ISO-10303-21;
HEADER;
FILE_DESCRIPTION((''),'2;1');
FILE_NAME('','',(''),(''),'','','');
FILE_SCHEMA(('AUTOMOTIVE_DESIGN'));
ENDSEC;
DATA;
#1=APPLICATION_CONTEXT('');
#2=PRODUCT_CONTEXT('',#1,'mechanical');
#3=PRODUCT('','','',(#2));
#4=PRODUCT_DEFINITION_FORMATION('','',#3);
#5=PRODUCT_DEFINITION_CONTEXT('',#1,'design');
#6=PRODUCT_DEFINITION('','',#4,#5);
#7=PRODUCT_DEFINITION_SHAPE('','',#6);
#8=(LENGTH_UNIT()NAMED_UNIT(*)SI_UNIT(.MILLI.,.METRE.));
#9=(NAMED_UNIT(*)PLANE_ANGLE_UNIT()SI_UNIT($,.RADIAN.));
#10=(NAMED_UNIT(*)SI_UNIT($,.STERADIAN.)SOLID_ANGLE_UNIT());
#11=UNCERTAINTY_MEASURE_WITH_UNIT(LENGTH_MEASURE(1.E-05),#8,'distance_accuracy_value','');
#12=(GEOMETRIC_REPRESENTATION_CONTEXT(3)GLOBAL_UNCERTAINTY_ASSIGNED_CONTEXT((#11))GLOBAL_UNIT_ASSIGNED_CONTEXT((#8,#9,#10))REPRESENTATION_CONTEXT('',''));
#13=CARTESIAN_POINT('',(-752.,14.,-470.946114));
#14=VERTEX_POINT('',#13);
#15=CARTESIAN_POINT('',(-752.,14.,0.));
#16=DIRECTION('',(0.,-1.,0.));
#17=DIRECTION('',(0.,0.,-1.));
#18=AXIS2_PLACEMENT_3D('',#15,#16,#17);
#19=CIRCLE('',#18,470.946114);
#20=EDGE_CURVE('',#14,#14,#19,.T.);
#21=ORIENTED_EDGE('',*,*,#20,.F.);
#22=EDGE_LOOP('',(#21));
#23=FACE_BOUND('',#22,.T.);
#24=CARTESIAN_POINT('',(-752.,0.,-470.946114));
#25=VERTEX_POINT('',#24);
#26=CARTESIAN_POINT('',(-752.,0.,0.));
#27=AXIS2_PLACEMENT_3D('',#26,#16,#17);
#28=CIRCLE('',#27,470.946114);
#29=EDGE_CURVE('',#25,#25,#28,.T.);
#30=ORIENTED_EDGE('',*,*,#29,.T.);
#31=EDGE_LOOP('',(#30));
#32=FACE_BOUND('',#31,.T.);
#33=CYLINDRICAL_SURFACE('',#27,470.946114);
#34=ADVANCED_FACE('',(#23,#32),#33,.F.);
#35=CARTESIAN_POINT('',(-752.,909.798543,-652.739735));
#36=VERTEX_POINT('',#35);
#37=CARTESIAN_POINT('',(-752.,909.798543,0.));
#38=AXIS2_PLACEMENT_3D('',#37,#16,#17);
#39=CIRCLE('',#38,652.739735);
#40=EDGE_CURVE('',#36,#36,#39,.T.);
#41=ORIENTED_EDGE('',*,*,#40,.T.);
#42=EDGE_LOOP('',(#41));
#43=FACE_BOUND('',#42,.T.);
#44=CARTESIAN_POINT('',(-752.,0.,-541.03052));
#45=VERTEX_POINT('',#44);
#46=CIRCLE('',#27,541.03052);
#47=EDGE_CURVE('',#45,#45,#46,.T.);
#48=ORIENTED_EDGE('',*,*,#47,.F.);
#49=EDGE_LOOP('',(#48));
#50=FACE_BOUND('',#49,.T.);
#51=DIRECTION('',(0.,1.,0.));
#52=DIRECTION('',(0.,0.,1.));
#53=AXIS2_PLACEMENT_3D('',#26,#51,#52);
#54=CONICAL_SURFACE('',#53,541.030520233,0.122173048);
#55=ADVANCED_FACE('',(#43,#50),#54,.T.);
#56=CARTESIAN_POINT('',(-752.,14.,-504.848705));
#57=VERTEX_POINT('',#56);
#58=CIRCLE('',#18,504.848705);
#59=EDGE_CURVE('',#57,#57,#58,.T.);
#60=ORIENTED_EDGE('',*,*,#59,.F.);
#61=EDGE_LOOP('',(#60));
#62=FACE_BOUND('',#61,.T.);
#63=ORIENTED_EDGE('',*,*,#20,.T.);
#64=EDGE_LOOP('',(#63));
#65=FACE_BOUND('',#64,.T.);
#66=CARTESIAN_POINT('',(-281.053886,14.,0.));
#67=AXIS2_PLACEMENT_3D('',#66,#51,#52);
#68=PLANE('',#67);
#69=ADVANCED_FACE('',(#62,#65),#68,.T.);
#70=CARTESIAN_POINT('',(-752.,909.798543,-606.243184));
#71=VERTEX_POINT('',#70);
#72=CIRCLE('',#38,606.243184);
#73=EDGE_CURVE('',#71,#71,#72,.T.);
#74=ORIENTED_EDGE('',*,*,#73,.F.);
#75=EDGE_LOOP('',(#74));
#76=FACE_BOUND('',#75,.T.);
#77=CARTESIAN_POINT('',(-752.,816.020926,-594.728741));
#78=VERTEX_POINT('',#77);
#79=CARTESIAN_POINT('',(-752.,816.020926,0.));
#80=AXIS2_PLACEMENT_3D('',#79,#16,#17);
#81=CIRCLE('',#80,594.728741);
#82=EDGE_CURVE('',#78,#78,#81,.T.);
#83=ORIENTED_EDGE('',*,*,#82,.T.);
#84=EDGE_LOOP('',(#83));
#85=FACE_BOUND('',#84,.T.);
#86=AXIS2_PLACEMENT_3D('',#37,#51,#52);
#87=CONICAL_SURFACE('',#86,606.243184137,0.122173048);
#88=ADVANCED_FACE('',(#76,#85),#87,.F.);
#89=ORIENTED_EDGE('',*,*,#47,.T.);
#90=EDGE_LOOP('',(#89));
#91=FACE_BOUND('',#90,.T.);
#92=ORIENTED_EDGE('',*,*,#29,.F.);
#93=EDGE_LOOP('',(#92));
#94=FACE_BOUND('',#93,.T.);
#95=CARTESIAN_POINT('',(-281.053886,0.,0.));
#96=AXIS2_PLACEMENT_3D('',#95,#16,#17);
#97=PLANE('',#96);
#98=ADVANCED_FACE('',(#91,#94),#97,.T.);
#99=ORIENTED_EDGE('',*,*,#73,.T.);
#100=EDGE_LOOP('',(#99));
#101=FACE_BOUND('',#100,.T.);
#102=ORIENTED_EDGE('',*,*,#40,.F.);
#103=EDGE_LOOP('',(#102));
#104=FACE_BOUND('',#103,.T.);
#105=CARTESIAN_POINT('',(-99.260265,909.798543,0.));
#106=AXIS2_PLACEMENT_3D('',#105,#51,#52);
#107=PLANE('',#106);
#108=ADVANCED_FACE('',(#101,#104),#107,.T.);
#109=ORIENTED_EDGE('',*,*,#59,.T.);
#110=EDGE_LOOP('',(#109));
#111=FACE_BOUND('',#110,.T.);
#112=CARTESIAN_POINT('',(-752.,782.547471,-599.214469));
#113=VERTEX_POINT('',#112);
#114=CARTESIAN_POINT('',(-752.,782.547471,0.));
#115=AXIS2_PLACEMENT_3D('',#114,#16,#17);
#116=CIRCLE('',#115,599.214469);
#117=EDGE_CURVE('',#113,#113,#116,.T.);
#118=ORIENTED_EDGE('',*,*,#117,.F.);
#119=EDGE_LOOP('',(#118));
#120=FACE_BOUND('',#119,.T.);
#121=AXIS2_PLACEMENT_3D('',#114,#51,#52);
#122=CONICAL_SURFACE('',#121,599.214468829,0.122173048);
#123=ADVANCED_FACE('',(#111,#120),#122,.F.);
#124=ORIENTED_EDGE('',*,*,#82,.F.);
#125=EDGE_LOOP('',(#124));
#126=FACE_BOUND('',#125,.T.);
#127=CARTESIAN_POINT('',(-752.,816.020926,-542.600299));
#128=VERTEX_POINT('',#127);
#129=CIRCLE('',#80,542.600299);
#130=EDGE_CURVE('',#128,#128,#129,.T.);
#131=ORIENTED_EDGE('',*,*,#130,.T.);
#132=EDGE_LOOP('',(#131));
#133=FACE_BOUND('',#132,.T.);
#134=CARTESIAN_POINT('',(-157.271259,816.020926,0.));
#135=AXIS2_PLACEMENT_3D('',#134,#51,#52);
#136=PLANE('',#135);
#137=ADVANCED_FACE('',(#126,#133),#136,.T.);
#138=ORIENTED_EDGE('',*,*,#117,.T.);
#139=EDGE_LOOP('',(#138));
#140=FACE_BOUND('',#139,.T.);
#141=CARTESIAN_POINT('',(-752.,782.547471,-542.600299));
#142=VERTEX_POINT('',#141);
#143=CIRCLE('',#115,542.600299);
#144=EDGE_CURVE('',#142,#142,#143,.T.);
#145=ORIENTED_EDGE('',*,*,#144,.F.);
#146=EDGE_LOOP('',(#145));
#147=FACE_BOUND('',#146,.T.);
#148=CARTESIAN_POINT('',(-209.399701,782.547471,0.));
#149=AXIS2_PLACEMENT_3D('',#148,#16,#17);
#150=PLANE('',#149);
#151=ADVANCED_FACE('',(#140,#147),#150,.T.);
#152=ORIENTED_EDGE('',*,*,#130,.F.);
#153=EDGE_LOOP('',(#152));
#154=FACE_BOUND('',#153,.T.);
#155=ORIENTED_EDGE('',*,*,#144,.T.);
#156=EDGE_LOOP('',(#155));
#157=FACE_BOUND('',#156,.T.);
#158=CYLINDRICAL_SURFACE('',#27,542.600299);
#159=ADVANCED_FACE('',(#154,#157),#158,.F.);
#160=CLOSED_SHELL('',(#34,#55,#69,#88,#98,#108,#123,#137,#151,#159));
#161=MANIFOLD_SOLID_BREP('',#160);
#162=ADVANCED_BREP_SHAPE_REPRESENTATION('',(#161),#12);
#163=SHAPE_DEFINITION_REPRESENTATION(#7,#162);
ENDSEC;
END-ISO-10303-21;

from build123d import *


with BuildPart() as part:
    # 草图1 → 旋转1 (revolve)
    with BuildSketch(Plane.XY):
        Polygon((-281.053886117, 0), (-210.969479767, 0), (-99.260265185, 909.798542754), (-145.756815863, 909.798542754), (-157.271259397, 816.020925686), (-209.399700553, 816.020925686), (-209.399700553, 782.547470572), (-152.785531171, 782.547470572), (-247.151294878, 14), (-281.053886117, 14), align=None)
    revolve(axis=Axis((-752, 0, 0), (0, 1, 0)))


solid = part.part
